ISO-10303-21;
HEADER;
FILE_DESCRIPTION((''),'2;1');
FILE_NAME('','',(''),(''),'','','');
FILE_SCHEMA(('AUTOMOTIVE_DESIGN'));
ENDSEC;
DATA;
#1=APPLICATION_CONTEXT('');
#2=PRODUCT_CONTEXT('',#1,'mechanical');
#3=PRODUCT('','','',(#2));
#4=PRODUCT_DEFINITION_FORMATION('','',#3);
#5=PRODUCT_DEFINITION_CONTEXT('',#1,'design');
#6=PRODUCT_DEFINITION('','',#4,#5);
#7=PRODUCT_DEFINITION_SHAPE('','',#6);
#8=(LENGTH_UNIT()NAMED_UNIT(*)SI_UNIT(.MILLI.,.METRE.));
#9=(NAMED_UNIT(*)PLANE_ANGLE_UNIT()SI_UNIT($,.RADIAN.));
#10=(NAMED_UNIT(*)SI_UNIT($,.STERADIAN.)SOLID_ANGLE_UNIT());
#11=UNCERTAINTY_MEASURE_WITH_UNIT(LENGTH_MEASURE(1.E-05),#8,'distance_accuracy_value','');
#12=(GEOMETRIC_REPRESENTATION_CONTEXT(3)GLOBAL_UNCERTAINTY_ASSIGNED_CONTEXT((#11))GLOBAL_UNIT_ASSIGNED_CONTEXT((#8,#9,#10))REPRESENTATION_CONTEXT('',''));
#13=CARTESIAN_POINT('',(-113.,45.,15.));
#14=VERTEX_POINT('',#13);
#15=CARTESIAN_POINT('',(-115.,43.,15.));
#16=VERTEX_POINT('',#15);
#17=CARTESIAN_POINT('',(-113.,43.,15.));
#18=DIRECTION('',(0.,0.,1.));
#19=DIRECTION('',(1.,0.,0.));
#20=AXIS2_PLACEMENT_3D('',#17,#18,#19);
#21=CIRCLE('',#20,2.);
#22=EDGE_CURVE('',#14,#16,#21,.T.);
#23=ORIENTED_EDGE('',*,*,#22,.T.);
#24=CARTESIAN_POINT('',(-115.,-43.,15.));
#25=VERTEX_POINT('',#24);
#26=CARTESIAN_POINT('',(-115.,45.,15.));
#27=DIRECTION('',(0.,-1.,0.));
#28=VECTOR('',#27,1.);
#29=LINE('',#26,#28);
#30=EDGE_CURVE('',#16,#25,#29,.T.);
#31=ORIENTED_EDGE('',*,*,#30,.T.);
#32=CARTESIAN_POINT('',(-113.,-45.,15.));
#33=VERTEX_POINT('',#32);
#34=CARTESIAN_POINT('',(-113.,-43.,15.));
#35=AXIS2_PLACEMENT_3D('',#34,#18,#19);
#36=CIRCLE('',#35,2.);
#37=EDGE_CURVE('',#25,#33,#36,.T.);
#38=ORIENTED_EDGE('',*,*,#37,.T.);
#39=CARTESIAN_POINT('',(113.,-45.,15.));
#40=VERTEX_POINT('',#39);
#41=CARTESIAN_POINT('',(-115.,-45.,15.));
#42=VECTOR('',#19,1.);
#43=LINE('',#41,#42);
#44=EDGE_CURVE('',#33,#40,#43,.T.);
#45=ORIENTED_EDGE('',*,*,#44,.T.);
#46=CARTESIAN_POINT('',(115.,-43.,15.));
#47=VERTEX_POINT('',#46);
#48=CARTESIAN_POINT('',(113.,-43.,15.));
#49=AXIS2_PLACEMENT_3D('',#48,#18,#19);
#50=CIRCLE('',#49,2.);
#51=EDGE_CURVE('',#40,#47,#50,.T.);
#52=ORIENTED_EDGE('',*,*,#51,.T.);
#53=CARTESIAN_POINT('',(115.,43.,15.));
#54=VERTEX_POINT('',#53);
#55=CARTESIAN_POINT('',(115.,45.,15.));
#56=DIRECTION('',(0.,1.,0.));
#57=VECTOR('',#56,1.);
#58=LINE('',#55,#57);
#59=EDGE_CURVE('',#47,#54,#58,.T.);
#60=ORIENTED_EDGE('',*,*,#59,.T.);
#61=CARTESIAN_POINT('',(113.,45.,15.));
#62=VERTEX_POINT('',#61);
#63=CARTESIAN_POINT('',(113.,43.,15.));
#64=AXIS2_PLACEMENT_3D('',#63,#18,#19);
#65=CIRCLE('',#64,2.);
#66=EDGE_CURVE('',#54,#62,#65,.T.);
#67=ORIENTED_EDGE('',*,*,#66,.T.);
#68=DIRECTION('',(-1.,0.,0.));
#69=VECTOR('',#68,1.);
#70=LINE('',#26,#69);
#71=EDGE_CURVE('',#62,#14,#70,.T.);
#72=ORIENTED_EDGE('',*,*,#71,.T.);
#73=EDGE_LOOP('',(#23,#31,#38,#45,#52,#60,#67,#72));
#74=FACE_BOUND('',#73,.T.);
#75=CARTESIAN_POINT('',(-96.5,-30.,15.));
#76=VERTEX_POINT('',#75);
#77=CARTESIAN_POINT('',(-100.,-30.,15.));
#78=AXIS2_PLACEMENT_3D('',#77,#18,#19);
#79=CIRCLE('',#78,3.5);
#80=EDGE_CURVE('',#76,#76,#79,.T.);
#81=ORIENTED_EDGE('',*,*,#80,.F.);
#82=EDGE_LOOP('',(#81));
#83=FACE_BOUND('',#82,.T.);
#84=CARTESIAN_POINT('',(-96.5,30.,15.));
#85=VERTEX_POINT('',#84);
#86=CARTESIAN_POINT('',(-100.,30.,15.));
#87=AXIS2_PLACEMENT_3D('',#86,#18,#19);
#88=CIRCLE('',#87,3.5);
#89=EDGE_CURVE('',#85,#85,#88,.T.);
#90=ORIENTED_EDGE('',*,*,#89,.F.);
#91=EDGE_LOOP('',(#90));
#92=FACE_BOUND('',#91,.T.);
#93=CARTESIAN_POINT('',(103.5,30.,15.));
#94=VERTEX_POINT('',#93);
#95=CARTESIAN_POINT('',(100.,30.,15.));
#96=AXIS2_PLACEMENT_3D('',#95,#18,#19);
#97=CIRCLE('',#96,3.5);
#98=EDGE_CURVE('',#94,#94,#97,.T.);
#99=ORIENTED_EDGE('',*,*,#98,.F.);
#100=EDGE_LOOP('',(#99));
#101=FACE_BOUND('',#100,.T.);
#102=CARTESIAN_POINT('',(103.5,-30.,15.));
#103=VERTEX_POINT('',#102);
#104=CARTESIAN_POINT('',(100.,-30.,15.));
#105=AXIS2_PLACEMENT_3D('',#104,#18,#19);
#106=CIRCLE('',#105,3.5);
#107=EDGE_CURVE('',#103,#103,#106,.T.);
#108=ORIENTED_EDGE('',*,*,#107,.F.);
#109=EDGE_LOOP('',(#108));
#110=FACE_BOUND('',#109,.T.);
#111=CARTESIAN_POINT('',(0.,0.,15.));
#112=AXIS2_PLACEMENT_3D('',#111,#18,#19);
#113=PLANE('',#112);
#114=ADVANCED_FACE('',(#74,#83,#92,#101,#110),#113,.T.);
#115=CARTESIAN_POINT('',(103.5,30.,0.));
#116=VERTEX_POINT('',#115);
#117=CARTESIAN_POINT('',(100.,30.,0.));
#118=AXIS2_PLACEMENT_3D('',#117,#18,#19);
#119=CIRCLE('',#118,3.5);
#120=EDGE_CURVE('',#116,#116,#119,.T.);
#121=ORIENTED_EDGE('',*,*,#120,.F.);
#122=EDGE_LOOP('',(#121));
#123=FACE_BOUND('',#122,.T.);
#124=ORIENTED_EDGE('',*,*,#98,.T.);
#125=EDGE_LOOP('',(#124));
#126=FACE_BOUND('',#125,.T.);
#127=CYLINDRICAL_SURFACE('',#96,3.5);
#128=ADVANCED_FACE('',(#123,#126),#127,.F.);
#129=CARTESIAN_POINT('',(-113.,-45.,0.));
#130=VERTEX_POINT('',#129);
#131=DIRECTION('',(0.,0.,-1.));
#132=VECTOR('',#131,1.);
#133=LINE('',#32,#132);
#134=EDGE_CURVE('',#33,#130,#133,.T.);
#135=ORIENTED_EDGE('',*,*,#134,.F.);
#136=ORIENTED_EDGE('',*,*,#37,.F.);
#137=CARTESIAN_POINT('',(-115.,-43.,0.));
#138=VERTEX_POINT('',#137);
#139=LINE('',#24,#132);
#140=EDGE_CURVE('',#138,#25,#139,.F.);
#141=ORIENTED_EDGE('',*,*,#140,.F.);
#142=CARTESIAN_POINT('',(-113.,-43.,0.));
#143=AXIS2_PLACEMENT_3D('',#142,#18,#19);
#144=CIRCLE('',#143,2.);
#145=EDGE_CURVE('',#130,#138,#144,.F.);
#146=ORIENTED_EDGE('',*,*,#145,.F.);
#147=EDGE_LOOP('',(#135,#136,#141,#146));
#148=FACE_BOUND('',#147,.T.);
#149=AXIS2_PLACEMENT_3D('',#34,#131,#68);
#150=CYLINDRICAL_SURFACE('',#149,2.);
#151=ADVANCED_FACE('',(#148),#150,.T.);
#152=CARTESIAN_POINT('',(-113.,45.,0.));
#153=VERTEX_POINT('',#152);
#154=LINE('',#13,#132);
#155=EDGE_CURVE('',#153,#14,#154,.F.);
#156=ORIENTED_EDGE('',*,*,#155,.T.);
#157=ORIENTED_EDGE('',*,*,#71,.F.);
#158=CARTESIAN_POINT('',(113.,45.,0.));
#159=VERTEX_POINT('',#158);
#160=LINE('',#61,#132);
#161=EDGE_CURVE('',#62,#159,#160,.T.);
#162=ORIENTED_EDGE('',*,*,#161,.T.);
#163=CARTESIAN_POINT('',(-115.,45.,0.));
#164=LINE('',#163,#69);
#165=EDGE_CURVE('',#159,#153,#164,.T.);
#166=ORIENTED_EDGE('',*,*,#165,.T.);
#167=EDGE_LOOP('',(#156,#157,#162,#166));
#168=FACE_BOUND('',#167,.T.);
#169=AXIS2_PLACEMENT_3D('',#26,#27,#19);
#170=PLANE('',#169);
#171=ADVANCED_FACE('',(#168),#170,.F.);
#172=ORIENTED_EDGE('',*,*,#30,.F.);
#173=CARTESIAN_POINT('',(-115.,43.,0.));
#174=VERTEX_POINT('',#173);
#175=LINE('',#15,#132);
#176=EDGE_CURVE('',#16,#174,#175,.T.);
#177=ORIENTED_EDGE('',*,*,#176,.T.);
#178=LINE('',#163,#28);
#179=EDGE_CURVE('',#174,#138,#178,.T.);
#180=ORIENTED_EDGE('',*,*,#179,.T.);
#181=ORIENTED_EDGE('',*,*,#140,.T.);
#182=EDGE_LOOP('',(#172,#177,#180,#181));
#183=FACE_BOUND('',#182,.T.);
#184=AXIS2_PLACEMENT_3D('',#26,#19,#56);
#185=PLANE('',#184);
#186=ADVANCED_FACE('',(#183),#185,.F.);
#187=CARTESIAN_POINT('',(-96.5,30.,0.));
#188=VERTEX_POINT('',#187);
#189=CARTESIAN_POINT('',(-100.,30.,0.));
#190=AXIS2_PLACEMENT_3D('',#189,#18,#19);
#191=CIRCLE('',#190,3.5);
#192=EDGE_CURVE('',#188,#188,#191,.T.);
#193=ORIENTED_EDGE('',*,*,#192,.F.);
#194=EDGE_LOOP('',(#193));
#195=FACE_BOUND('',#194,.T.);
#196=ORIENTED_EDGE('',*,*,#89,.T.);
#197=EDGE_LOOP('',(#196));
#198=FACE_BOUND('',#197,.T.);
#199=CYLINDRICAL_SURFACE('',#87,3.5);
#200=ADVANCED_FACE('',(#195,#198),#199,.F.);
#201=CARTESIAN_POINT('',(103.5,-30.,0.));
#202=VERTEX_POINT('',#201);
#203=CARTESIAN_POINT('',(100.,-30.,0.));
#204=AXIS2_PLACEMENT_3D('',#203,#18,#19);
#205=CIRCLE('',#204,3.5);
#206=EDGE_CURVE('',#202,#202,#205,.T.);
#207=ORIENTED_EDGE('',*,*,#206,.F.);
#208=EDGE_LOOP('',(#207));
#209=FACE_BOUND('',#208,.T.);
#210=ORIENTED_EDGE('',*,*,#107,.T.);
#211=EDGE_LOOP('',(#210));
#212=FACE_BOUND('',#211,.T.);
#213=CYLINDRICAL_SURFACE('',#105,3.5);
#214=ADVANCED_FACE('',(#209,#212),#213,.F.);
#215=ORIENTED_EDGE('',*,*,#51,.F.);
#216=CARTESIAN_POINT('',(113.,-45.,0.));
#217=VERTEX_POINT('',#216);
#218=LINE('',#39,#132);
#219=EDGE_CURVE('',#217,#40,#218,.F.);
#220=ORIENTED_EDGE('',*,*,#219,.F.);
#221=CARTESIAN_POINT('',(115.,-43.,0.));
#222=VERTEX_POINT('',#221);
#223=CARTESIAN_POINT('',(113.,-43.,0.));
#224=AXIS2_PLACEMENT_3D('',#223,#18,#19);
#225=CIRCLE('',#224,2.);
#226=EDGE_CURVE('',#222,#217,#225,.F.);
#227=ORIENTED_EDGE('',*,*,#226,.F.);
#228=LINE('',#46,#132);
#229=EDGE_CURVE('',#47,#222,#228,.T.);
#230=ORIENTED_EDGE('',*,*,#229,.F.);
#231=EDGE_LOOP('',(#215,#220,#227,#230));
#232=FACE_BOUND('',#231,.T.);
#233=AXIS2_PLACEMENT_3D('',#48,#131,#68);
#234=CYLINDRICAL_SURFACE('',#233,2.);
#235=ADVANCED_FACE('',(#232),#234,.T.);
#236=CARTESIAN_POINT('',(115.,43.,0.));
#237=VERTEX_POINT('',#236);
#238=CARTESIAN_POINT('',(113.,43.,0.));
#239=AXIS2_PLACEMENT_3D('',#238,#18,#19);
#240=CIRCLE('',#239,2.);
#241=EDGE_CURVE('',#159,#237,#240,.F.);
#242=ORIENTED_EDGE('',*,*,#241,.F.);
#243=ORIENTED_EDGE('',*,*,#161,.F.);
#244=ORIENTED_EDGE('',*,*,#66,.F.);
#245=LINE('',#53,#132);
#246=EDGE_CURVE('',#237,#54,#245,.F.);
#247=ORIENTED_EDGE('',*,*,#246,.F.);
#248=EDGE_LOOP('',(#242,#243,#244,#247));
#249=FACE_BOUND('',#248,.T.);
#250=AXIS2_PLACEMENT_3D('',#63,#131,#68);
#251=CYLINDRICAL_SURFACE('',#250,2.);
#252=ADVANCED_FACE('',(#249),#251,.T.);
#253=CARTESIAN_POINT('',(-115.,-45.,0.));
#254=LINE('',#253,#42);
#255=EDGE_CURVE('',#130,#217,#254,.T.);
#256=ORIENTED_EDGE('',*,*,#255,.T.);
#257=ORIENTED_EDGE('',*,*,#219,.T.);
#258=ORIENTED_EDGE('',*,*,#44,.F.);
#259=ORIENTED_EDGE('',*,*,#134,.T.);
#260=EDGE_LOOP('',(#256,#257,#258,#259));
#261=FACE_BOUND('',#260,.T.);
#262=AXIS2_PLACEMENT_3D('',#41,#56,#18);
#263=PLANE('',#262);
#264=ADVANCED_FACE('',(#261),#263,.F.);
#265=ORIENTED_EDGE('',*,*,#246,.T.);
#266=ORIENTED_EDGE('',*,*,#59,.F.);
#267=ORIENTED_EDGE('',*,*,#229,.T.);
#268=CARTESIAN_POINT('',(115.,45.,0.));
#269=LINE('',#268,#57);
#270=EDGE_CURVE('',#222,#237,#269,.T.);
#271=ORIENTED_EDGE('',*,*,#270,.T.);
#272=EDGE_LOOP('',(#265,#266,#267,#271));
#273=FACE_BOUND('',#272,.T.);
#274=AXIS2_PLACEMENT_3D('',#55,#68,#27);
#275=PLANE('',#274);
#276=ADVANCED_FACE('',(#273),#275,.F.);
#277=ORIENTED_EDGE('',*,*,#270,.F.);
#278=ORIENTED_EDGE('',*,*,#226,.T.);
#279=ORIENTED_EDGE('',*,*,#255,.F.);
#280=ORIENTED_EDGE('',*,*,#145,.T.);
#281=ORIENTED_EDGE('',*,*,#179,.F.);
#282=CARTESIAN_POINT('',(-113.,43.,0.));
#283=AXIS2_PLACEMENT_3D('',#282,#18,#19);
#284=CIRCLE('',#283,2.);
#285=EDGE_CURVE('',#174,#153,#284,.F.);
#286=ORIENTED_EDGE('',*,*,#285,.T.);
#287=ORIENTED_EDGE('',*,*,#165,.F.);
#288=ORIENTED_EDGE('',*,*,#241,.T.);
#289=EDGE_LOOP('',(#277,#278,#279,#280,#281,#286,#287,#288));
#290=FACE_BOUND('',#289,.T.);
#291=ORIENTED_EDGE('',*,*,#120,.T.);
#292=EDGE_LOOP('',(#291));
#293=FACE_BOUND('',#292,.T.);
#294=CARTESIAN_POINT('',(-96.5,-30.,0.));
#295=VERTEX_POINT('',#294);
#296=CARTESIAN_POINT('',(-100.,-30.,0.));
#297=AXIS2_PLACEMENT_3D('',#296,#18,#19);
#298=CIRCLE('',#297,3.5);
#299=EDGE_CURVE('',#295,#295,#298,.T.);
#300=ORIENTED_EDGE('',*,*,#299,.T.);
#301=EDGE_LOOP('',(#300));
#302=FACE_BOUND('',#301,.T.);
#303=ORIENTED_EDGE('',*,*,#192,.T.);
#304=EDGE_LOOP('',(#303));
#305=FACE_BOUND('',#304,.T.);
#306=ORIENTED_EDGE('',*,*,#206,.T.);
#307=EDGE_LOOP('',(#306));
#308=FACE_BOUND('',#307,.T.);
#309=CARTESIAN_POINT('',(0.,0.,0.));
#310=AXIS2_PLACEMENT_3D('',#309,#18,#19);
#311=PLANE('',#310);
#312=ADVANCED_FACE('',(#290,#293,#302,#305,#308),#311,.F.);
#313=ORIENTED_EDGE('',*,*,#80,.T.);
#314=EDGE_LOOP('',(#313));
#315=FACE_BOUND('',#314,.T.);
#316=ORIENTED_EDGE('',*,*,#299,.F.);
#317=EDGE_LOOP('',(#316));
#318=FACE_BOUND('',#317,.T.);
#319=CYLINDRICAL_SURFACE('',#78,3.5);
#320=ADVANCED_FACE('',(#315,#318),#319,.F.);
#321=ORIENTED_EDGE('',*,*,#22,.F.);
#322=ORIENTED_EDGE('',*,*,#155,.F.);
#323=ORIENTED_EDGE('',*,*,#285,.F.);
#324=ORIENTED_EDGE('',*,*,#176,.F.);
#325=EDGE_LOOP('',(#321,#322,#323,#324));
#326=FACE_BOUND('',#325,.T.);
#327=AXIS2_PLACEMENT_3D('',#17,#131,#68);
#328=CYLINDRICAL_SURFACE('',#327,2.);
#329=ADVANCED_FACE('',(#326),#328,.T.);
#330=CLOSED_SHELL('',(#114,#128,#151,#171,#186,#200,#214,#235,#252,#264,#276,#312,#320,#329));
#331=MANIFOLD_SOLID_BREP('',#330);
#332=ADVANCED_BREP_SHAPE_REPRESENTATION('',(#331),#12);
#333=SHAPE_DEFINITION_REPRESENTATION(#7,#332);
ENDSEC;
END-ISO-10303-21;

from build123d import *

# Parameters (mm, degrees)
SKIZZE1_W                       = 230
SKIZZE1_H                       = 90
AUFSATZ_LINEAR_AUSTRAGEN1_DEPTH = 15
F_7_0_7_DURCHMESSER_BOHRUNG1_D  = 7
VERRUNDUNG3_R                   = 2
VERRUNDUNG4_R                   = 2


with BuildPart() as part:
    # Skizze1 → Aufsatz-Linear austragen1 (new body)
    with BuildSketch(Plane.XY):
        Rectangle(SKIZZE1_W, SKIZZE1_H)
    extrude(amount=AUFSATZ_LINEAR_AUSTRAGEN1_DEPTH)

    # Ø7.0 (7) Durchmesser Bohrung1 (through all)
    with Locations(Plane.XY.offset(15)):
        with Locations((100, -30), (-100, -30), (-100, 30), (100, 30)):
            Hole(F_7_0_7_DURCHMESSER_BOHRUNG1_D / 2)

    # Verrundung3
    verrundung3_edges = [part.edges().sort_by_distance(p)[0] for p in [
        (-115, 45, 7.5),
        (115, 45, 7.5),
    ]]
    fillet(verrundung3_edges, radius=VERRUNDUNG3_R)

    # Verrundung4
    verrundung4_edges = [part.edges().sort_by_distance(p)[0] for p in [
        (115, -45, 7.5),
        (-115, -45, 7.5),
    ]]
    fillet(verrundung4_edges, radius=VERRUNDUNG4_R)


solid = part.part
